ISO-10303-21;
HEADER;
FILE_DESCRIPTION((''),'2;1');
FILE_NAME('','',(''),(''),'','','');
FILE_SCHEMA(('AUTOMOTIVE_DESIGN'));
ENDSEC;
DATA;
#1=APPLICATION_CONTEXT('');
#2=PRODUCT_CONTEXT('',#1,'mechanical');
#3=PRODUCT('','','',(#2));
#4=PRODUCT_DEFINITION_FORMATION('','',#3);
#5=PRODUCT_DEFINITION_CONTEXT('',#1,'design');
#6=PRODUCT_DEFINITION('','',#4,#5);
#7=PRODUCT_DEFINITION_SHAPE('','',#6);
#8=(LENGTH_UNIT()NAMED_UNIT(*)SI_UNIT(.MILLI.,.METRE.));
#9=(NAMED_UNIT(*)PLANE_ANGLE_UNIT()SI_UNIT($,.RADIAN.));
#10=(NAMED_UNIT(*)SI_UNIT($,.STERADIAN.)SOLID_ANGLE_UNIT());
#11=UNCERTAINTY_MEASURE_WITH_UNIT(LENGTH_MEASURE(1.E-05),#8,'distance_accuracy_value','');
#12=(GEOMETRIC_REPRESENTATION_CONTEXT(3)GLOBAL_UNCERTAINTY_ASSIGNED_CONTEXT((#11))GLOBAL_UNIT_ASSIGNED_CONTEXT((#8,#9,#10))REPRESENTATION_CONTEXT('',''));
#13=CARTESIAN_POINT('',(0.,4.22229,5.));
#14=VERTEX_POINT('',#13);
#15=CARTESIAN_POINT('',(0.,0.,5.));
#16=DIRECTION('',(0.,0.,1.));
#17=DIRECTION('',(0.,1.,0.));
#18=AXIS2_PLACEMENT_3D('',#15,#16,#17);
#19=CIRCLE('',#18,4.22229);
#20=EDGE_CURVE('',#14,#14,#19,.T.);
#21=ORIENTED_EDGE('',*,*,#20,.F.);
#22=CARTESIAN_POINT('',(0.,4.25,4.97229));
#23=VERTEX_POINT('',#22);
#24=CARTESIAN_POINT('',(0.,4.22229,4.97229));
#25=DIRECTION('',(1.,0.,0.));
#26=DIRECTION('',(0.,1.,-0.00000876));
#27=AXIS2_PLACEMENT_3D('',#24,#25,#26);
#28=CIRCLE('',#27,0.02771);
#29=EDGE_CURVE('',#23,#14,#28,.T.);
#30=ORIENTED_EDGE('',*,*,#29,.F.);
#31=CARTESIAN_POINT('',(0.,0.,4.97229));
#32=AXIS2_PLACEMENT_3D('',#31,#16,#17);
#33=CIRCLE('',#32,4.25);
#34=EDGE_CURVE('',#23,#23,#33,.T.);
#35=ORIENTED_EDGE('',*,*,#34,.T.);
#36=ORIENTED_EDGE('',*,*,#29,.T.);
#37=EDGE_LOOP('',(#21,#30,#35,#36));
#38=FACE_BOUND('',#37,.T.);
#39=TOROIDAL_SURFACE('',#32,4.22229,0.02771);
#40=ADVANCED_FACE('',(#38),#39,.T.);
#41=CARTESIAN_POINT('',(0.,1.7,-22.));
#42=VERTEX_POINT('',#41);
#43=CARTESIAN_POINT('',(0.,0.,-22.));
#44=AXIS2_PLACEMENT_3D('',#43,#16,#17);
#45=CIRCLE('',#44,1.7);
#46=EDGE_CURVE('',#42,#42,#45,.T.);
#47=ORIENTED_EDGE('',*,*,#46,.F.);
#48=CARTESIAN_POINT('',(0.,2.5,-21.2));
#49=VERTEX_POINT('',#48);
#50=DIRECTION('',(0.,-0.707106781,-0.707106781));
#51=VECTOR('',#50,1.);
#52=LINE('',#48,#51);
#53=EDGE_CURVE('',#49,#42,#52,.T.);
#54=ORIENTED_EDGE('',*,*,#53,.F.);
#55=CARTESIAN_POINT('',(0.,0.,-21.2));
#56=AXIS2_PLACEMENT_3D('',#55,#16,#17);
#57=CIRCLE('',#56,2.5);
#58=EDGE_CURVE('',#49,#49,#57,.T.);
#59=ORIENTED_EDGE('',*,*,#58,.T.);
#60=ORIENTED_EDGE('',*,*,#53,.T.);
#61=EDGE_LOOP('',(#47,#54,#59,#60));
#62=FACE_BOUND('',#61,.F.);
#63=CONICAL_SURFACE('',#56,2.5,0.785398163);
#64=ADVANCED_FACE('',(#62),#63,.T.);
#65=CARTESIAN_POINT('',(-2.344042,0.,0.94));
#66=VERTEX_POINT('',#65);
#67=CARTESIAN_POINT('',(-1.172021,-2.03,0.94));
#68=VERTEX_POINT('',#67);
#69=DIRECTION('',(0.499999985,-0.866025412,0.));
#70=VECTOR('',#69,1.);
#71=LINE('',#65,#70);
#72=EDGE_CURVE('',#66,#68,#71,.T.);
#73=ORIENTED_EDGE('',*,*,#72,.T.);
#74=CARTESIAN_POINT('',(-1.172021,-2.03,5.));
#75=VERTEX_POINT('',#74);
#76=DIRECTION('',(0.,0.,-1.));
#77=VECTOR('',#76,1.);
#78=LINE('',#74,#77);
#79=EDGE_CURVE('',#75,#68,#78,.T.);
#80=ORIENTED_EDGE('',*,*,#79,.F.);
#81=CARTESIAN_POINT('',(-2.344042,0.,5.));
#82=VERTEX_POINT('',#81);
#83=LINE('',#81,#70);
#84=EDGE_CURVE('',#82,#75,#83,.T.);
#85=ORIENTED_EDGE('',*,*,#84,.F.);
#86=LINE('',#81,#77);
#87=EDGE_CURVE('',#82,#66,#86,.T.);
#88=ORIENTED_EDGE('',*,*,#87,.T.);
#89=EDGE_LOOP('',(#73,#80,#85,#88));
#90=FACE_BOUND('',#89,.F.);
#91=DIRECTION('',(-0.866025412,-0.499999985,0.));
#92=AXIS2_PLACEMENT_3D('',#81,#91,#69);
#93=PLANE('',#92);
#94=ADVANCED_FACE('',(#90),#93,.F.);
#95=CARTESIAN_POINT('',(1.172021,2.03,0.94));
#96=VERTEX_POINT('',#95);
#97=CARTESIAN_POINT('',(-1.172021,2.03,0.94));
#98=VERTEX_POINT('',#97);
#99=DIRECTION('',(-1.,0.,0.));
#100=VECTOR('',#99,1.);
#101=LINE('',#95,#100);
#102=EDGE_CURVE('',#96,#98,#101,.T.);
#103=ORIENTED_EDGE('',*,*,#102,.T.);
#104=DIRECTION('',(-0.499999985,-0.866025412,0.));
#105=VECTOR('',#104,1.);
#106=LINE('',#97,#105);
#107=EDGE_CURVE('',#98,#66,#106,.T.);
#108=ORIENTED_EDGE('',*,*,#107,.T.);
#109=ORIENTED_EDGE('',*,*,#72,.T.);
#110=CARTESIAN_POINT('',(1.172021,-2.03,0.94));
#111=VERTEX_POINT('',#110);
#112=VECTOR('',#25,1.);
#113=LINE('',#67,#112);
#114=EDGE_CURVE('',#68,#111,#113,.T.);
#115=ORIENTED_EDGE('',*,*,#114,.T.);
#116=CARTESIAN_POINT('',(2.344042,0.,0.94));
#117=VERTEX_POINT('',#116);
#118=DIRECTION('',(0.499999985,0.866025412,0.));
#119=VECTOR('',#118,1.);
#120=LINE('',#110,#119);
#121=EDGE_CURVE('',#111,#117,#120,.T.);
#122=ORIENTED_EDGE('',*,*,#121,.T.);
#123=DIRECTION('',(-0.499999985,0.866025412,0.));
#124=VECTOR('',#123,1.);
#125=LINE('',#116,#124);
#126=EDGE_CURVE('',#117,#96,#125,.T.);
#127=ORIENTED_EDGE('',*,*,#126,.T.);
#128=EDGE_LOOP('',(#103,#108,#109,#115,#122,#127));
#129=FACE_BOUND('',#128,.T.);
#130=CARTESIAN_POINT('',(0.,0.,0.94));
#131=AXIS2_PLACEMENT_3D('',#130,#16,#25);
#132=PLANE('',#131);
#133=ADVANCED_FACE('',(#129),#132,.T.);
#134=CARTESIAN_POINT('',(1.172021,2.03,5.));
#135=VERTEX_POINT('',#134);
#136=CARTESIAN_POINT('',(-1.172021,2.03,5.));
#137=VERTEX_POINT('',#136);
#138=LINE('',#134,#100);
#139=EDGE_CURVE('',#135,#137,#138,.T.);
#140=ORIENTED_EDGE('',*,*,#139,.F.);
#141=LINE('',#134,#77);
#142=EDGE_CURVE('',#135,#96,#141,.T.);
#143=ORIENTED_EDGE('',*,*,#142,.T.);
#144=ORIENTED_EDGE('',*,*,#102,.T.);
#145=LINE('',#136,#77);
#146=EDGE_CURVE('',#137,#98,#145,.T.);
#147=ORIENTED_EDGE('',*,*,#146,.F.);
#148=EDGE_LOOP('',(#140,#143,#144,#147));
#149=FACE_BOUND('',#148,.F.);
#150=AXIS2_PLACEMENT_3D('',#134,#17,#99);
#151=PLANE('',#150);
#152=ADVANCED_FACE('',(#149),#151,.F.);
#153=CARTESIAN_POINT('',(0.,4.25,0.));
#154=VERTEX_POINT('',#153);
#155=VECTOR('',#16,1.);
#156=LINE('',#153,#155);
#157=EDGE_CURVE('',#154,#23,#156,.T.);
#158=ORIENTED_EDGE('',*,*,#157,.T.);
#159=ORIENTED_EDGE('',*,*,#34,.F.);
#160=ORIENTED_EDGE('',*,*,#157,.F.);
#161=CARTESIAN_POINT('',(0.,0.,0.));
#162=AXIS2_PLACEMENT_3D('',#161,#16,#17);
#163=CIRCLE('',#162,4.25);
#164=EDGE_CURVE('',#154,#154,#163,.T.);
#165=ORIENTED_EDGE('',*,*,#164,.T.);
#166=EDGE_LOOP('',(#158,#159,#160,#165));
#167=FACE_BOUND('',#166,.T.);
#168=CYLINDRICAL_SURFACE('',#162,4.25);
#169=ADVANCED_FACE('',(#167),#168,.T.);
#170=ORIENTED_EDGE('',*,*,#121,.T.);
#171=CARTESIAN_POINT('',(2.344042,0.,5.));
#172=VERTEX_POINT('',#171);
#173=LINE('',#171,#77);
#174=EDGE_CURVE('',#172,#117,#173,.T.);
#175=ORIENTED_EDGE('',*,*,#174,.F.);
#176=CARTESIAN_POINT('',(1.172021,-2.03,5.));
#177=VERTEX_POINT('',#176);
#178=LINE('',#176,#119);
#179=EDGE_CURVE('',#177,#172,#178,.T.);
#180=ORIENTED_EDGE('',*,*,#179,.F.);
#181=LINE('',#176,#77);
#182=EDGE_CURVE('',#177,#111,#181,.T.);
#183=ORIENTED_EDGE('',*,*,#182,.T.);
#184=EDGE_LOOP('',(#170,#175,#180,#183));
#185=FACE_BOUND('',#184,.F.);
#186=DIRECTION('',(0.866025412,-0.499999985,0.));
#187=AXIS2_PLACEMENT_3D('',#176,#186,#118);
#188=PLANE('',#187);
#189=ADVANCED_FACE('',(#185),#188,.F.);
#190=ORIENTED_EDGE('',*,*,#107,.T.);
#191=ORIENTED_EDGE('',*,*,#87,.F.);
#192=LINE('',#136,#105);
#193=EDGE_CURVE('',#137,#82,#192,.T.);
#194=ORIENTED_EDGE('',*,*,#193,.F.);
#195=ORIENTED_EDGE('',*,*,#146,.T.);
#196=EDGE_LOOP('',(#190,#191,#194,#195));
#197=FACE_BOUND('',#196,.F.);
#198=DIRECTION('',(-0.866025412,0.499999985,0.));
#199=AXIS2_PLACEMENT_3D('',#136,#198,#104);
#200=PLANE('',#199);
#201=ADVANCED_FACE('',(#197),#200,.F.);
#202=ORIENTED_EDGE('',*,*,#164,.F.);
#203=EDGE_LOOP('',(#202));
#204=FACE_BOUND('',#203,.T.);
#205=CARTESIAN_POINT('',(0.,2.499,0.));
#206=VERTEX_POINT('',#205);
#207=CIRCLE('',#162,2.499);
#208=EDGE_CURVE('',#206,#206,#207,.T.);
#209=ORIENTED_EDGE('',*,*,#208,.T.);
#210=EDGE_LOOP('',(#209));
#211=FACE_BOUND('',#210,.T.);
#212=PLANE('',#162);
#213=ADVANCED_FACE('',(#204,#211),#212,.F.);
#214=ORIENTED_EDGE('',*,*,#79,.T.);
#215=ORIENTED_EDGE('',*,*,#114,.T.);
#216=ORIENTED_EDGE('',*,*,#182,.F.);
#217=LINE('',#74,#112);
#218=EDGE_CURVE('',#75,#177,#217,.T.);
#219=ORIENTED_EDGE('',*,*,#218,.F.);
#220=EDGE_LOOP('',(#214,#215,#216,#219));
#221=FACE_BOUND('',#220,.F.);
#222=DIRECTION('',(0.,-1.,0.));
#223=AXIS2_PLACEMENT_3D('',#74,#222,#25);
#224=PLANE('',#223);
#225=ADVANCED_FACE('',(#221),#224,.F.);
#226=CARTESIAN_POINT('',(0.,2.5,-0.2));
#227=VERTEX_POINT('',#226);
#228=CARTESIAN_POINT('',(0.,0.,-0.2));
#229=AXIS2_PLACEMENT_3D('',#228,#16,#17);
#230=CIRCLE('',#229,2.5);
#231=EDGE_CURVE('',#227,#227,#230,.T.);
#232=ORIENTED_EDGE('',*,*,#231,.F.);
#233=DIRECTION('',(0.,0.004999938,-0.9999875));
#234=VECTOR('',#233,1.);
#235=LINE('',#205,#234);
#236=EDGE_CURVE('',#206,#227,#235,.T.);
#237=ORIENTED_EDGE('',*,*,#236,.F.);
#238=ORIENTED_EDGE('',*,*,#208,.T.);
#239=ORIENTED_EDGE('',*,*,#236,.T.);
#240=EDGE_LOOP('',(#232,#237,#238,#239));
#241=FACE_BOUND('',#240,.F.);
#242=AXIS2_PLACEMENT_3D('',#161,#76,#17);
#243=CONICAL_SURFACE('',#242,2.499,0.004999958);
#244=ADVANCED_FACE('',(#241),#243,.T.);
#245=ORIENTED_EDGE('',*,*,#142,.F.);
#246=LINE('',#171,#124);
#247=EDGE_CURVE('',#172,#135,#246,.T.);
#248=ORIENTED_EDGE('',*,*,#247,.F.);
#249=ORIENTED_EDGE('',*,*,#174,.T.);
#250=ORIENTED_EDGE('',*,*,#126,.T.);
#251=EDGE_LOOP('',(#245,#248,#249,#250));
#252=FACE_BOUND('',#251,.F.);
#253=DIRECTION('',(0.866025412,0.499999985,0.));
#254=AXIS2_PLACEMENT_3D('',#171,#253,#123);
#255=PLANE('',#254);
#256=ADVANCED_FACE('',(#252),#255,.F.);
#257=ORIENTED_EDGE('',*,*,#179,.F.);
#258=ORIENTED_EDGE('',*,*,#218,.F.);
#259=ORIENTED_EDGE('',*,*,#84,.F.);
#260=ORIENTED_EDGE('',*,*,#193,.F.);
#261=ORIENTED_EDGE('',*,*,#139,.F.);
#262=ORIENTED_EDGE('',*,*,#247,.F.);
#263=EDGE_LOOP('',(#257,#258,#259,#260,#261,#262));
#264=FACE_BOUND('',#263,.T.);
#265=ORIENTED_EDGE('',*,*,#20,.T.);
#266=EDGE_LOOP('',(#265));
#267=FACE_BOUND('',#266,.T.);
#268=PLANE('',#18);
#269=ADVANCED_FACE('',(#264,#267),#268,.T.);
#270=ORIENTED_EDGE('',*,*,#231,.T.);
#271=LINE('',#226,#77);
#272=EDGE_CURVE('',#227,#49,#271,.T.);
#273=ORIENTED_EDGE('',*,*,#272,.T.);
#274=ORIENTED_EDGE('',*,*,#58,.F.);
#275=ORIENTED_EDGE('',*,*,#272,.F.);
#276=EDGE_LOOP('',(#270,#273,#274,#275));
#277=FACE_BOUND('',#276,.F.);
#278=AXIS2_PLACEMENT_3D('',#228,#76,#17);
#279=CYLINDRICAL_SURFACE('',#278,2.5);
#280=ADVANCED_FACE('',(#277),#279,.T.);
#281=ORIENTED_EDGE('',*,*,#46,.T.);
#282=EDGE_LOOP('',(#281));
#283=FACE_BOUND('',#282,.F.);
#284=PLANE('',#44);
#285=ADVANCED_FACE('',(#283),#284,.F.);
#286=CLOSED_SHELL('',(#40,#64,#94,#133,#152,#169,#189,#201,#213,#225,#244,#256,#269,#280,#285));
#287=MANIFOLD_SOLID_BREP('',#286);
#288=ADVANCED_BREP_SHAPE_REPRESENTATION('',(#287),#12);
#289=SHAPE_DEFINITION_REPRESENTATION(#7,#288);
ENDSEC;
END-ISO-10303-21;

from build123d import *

# Parameters (mm, degrees)
POCKET_DEPTH = 4.06


with BuildPart() as part:
    # Sketch → Revolve (revolve)
    with BuildSketch(Plane.YZ):
        with BuildLine():
            Line((2.499, 0), (4.25, 0))
            Line((4.25, 0), (4.25, 4.97229))
            ThreePointArc((4.25, 4.97229), (4.241884, 4.991884), (4.22229, 5))
            Line((4.22229, 5), (0, 5))
            Line((0, -22), (0, 5))
            Line((1.7, -22), (0, -22))
            Line((2.5, -21.2), (1.7, -22))
            Line((2.5, -0.2), (2.5, -21.2))
            Line((2.499, 0), (2.5, -0.2))
        make_face()
    revolve(axis=Axis((0, 0, 0), (0, 0, 1)))

    # Sketch001 → Pocket (cut)
    with BuildSketch(Plane.XY.offset(5)):
        Polygon((2.344042, 0), (1.172021, 2.03), (-1.172021, 2.03), (-2.344042, 0), (-1.172021, -2.03), (1.172021, -2.03), align=None)
    extrude(amount=-POCKET_DEPTH, mode=Mode.SUBTRACT)


solid = part.part
